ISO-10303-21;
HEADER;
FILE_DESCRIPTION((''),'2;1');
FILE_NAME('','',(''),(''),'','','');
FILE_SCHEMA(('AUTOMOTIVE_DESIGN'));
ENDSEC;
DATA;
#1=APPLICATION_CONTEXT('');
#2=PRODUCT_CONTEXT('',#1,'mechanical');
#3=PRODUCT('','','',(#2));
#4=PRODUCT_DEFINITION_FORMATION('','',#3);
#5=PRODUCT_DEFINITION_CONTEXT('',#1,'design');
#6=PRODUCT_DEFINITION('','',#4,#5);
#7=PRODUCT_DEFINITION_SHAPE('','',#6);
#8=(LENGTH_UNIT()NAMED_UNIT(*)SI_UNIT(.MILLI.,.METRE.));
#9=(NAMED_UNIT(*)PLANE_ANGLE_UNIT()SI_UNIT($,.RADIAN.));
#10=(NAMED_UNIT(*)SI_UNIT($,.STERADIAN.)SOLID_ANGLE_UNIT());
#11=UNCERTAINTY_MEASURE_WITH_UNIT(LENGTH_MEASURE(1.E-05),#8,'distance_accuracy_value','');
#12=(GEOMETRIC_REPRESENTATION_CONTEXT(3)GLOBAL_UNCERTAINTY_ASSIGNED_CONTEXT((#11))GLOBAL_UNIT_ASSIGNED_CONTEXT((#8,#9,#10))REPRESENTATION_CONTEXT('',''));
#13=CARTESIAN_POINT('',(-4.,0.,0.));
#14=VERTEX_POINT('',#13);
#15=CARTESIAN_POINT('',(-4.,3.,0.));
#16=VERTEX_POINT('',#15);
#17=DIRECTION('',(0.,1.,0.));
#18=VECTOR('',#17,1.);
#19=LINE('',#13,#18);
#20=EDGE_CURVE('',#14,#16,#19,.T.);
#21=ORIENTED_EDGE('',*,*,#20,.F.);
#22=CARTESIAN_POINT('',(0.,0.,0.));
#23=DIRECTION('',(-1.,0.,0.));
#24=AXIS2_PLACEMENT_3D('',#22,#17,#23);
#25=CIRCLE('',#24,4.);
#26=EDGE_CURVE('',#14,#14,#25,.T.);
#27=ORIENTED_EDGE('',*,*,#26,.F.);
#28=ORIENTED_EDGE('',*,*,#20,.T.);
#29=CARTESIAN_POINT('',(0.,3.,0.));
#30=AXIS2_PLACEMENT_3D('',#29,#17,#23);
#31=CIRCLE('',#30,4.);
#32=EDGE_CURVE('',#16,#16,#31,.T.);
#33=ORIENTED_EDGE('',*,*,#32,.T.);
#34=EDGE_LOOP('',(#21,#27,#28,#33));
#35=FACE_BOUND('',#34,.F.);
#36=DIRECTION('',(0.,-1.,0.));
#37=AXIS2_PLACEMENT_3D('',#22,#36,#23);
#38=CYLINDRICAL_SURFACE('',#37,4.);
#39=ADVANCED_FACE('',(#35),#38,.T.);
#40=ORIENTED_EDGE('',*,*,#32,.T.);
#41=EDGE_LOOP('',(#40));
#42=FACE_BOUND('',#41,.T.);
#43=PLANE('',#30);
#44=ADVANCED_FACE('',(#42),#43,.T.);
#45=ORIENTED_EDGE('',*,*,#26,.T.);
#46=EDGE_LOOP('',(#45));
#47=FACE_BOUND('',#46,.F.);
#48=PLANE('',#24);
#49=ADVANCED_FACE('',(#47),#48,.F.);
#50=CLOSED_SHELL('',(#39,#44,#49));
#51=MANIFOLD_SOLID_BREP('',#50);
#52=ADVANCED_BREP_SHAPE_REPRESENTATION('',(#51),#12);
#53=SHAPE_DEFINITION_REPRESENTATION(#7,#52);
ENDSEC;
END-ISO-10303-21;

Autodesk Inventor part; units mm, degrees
ref_plane "YZ Plane" through (0, 0, 0) normal (1, 0, 0) x (0, 1, 0)
ref_plane "XZ Plane" through (0, 0, 0) normal (0, 1, 0) x (-1, 0, 0)
ref_plane "XY Plane" through (0, 0, 0) normal (0, 0, 1) x (1, 0, 0)
sketch "草图1" plane through (0, 0, 0) normal (0, 1, 0) x (-1, 0, 0)
  circle A0 centre (0, 0) radius 4
  dimension "d0" = 8
  dimension "d1" = 0
extrude "拉伸1" add sketch "草图1" along normal blind 3
properties part number "弹性体"
